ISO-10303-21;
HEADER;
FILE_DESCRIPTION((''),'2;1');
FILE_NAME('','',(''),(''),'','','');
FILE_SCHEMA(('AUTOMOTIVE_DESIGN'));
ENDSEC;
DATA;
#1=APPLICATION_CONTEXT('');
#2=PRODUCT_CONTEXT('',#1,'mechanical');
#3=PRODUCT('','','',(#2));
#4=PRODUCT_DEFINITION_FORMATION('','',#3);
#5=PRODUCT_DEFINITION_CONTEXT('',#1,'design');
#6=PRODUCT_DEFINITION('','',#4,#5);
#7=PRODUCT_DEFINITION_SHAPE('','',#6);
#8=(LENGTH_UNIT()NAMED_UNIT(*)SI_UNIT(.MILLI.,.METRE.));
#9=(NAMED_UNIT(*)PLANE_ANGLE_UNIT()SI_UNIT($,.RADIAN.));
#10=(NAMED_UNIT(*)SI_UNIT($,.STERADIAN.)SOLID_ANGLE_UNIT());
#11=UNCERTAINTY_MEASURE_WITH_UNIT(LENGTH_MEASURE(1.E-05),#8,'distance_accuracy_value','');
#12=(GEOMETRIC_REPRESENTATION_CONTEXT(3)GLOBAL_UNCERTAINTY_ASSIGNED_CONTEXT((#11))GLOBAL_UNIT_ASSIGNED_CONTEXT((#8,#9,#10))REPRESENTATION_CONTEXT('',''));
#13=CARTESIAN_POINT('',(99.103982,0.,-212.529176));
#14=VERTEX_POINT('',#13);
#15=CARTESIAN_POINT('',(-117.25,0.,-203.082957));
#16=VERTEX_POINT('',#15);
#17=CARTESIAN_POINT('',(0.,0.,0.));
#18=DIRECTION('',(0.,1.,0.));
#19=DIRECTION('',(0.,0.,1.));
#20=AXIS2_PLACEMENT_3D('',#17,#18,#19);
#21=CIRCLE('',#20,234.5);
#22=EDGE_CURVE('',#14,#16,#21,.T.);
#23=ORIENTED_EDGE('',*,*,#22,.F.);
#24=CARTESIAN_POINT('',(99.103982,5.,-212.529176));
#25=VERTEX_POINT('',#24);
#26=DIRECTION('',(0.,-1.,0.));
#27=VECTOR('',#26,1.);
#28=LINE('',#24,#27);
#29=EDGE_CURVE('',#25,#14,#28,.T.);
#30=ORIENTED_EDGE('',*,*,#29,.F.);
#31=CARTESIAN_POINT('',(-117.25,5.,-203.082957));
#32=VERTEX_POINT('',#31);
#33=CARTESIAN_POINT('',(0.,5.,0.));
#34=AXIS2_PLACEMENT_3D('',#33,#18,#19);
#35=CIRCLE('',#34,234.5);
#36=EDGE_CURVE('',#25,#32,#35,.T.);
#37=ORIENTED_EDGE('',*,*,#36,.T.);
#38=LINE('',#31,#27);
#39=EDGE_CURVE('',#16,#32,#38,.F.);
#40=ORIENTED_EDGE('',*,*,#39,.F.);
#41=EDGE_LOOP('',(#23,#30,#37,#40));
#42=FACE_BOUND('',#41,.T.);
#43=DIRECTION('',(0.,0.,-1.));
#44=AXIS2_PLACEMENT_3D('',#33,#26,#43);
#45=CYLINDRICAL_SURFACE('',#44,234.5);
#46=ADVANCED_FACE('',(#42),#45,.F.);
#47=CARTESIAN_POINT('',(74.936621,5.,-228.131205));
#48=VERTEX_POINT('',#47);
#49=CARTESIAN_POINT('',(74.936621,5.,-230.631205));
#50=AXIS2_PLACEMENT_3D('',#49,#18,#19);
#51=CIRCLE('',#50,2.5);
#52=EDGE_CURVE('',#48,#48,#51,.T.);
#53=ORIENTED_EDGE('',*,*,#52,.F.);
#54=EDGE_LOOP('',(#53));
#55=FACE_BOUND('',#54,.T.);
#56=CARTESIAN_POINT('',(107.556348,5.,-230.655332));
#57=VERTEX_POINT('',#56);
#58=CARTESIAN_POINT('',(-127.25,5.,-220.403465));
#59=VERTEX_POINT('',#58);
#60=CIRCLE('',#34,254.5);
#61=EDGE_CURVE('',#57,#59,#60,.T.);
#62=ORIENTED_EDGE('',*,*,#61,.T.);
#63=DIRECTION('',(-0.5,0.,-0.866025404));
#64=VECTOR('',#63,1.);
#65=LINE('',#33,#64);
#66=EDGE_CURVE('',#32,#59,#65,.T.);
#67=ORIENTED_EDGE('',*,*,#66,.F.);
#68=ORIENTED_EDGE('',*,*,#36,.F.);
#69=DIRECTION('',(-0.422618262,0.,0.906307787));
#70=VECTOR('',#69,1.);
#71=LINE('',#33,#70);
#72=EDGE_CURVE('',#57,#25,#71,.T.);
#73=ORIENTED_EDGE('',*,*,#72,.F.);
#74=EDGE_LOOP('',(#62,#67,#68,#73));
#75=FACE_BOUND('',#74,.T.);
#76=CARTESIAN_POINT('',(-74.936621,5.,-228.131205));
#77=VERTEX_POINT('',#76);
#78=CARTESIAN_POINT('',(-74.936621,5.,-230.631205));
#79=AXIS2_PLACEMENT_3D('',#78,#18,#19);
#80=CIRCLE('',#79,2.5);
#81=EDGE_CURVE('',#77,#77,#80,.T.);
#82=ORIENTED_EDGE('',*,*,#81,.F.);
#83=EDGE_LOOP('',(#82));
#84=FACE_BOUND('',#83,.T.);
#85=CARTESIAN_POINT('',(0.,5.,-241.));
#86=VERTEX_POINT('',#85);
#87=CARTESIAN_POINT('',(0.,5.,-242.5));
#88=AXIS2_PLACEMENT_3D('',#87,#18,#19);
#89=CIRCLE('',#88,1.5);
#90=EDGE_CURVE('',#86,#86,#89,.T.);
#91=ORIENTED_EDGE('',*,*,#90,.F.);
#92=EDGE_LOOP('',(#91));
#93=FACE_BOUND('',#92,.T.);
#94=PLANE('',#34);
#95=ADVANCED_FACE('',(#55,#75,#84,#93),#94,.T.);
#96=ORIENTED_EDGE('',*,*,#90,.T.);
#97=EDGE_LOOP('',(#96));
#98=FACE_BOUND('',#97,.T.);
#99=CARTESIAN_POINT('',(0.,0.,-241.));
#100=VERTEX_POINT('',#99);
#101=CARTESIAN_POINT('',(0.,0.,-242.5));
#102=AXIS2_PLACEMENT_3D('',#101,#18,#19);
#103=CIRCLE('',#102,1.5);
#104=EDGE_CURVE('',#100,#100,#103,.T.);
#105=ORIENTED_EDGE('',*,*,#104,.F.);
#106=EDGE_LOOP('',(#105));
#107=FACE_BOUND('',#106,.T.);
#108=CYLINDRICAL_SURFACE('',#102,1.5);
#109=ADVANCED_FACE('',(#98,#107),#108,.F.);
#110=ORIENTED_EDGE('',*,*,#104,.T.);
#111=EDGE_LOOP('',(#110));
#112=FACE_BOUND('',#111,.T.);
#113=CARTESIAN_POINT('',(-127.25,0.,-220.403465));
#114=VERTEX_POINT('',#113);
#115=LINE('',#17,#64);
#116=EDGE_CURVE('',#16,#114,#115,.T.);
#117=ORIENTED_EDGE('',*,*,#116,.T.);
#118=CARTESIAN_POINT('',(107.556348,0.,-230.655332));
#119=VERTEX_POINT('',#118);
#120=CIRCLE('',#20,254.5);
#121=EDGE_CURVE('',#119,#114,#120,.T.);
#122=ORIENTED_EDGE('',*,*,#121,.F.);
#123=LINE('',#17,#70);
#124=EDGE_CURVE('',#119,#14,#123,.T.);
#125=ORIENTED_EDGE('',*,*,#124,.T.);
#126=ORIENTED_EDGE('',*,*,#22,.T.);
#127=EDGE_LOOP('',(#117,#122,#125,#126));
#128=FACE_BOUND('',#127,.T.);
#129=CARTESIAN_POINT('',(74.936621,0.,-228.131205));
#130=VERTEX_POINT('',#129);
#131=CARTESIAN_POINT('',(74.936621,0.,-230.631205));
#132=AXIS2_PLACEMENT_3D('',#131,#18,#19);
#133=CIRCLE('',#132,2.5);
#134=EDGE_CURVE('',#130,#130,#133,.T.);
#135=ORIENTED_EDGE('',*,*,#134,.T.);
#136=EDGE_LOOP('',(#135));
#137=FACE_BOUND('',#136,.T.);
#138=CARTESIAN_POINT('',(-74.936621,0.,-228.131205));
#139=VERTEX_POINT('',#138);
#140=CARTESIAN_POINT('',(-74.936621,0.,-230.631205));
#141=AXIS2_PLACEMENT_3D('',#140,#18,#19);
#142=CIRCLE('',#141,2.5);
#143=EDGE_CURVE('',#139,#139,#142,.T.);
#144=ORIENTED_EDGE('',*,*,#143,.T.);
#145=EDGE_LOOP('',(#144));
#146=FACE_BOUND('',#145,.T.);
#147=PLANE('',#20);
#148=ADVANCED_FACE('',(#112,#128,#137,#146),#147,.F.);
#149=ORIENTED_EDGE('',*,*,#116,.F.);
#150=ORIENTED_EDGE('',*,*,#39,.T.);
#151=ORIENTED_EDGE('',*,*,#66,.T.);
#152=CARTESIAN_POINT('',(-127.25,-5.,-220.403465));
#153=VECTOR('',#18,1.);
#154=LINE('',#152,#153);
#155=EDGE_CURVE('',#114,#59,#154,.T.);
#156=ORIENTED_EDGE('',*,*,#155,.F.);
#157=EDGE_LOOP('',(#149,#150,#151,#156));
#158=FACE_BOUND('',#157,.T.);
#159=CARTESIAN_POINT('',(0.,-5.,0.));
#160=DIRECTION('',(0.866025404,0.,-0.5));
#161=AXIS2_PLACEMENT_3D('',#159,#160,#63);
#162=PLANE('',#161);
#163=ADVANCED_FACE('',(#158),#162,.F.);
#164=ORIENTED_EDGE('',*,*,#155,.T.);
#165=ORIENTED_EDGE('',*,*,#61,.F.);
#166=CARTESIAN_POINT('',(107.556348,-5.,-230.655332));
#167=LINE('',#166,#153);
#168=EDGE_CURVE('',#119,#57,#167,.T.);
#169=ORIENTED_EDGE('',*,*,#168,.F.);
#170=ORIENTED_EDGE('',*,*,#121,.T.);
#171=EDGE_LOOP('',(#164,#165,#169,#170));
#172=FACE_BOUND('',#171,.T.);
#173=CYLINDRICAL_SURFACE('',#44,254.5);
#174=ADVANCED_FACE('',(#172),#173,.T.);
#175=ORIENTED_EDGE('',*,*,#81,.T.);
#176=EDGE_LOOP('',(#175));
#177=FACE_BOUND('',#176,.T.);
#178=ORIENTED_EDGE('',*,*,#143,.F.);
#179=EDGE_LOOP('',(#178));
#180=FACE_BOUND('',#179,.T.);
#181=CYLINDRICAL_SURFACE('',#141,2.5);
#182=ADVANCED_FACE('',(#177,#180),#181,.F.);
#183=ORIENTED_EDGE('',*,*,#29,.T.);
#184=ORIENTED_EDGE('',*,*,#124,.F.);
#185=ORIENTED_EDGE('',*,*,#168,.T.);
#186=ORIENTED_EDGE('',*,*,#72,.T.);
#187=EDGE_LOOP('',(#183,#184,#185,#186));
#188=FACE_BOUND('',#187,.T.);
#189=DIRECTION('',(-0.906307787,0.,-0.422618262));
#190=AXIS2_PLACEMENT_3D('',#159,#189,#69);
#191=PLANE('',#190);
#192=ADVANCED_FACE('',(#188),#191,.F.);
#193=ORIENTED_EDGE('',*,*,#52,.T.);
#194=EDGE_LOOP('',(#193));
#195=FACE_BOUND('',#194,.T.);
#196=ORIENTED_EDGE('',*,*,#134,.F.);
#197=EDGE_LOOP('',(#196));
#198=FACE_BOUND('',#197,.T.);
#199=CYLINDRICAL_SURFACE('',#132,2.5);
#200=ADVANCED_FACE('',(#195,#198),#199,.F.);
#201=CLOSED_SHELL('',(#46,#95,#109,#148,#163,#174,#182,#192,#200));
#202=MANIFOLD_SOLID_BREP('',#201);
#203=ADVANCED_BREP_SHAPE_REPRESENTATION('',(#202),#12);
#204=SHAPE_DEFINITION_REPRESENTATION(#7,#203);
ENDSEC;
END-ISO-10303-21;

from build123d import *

# Parameters (mm, degrees)
SKETCH1_R           = 254.5
SKETCH1_R_2         = 234.5
BOSS_EXTRUDE1_DEPTH = 5
SKETCH2_W           = 27.805822748
SKETCH2_H           = 60
CUT_EXTRUDE1_DEPTH  = 5
SKETCH3_R           = 2.5
CUT_EXTRUDE2_DEPTH  = 5
SKETCH4_R           = 1.5
CUT_EXTRUDE3_DEPTH  = 5
SKETCH5_W           = 651.212620435
SKETCH5_H           = 357.226439325
CUT_EXTRUDE4_DEPTH  = 10
CUT_EXTRUDE9_START  = -10
SKETCH6_R           = 1.5
SKETCH6_R_2         = 2.5
CUT_EXTRUDE9_DEPTH  = 10
CUT_EXTRUDE10_START = -10
CUT_EXTRUDE10_DEPTH = 10


with BuildPart() as part:
    # Sketch1 → Boss-Extrude1 (new body)
    with BuildSketch(Plane(origin=(0, 0, 0), x_dir=(1, 0, 0), z_dir=(0, 1, 0))):
        with Locations(Location((0, 0, 0), (0, 0, 270))):
            Circle(SKETCH1_R)
        with Locations(Location((0, 0, 0), (0, 0, 270))):
            Circle(SKETCH1_R_2, mode=Mode.SUBTRACT)
    extrude(amount=BOSS_EXTRUDE1_DEPTH)

    # Sketch2 → Cut-Extrude1 (cut)
    with BuildSketch(Plane(origin=(0, 5, 0), x_dir=(1, 0, 0), z_dir=(0, 1, 0))):
        with Locations((-240.597088626, 30)):
            Rectangle(SKETCH2_W, SKETCH2_H)
    cut_extrude1 = extrude(amount=-CUT_EXTRUDE1_DEPTH, mode=Mode.SUBTRACT)

    # Mirror1: Cut-Extrude1 across plane
    add(cut_extrude1.mirror(Plane.XY), mode=Mode.SUBTRACT)

    # Sketch3 → Cut-Extrude2 (cut)
    with BuildSketch(Plane(origin=(0, 5, 0), x_dir=(1, 0, 0), z_dir=(0, 1, 0))):
        with Locations(Location((242.5, 0, 0), (0, 0, 270))):
            Circle(SKETCH3_R)
        with Locations(Location((196.186621136, -142.537923681, 0), (0, 0, 270))):
            Circle(SKETCH3_R)
        with Locations(Location((74.936621136, -230.631205202, 0), (0, 0, 270))):
            Circle(SKETCH3_R)
        with Locations(Location((-74.936621136, -230.631205202, 0), (0, 0, 270))):
            Circle(SKETCH3_R)
        with Locations(Location((-196.186621136, -142.537923681, 0), (0, 0, 270))):
            Circle(SKETCH3_R)
        with Locations((-242.5, 0)):
            Circle(SKETCH3_R)
        with Locations(Location((-196.186621136, 142.537923681, 0), (0, 0, 270))):
            Circle(SKETCH3_R)
        with Locations(Location((-74.936621136, 230.631205202, 0), (0, 0, 270))):
            Circle(SKETCH3_R)
        with Locations(Location((74.936621136, 230.631205202, 0), (0, 0, 270))):
            Circle(SKETCH3_R)
        with Locations(Location((196.186621136, 142.537923681, 0), (0, 0, 270))):
            Circle(SKETCH3_R)
    extrude(amount=-CUT_EXTRUDE2_DEPTH, mode=Mode.SUBTRACT)

    # Sketch4 → Cut-Extrude3 (cut)
    with BuildSketch(Plane(origin=(0, 5, 0), x_dir=(1, 0, 0), z_dir=(0, 1, 0))):
        with Locations(Location((0, -242.5, 0), (0, 0, 270))):
            Circle(SKETCH4_R)
        with Locations(Location((-142.537923681, -196.186621136, 0), (0, 0, 270))):
            Circle(SKETCH4_R)
        with Locations(Location((-230.631205202, -74.936621136, 0), (0, 0, 270))):
            Circle(SKETCH4_R)
        with Locations(Location((-230.631205202, 74.936621136, 0), (0, 0, 270))):
            Circle(SKETCH4_R)
        with Locations(Location((-142.537923681, 196.186621136, 0), (0, 0, 270))):
            Circle(SKETCH4_R)
        with Locations(Location((0, 242.5, 0), (0, 0, 270))):
            Circle(SKETCH4_R)
        with Locations(Location((142.537923681, 196.186621136, 0), (0, 0, 270))):
            Circle(SKETCH4_R)
        with Locations(Location((230.631205202, 74.936621136, 0), (0, 0, 270))):
            Circle(SKETCH4_R)
        with Locations(Location((230.631205202, -74.936621136, 0), (0, 0, 270))):
            Circle(SKETCH4_R)
        with Locations(Location((142.537923681, -196.186621136, 0), (0, 0, 270))):
            Circle(SKETCH4_R)
    extrude(amount=-CUT_EXTRUDE3_DEPTH, mode=Mode.SUBTRACT)

    # Sketch5 → Cut-Extrude4 (cut)
    with BuildSketch(Plane(origin=(0, 5, 0), x_dir=(1, 0, 0), z_dir=(0, 1, 0))):
        with Locations((-71.106310217, -178.613219663)):
            Rectangle(SKETCH5_W, SKETCH5_H)
    extrude(amount=-CUT_EXTRUDE4_DEPTH, mode=Mode.SUBTRACT)

    # Sketch6 → Cut-Extrude9 (cut)
    # profile 1 of 2: a face of its own
    with BuildSketch(Plane(origin=(0, 5, 0), x_dir=(1, 0, 0), z_dir=(0, 1, 0)).offset(CUT_EXTRUDE9_START)):
        with BuildLine():
            Line((-117.25, 203.082957187), (-127.25, 220.403465263))
            ThreePointArc((-127.25, 220.403465263), (-203.737945948, 152.51589878), (-247.326201604, 60))
            Line((-247.326201604, 60), (-226.694177252, 60))
            ThreePointArc((-226.694177252, 60), (-186.259449225, 142.469883043), (-117.25, 203.082957187))
        make_face()
        with Locations((-230.631205202, 74.936621136)):
            Circle(SKETCH6_R, mode=Mode.SUBTRACT)
        with Locations((-196.186621136, 142.537923681)):
            Circle(SKETCH6_R_2, mode=Mode.SUBTRACT)
        with Locations((-142.537923681, 196.186621136)):
            Circle(SKETCH6_R, mode=Mode.SUBTRACT)
    # profile 2 of 2: a face of its own
    with BuildSketch(Plane(origin=(0, 5, 0), x_dir=(1, 0, 0), z_dir=(0, 1, 0)).offset(CUT_EXTRUDE9_START)):
        with BuildLine():
            Line((-254.5, 0), (0, 0))
            Line((0, 0), (-117.25, 203.082957187))
            ThreePointArc((-117.25, 203.082957187), (-186.259449225, 142.469883043), (-226.694177252, 60))
            Line((-226.694177252, 60), (-247.326201604, 60))
            ThreePointArc((-247.326201604, 60), (-252.700186296, 30.213669851), (-254.5, 0))
        make_face()
    extrude(amount=CUT_EXTRUDE9_DEPTH, mode=Mode.SUBTRACT)

    # Sketch7 → Cut-Extrude10 (cut)
    with BuildSketch(Plane(origin=(0, 5, 0), x_dir=(1, 0, 0), z_dir=(0, 1, 0)).offset(CUT_EXTRUDE10_START)):
        with BuildLine():
            Line((254.5, 0), (0, 0))
            Line((0, 0), (107.556347613, 230.655331801))
            ThreePointArc((107.556347613, 230.655331801), (214.643122959, 136.742750324), (254.5, 0))
        make_face()
    extrude(amount=CUT_EXTRUDE10_DEPTH, mode=Mode.SUBTRACT)


solid = part.part
